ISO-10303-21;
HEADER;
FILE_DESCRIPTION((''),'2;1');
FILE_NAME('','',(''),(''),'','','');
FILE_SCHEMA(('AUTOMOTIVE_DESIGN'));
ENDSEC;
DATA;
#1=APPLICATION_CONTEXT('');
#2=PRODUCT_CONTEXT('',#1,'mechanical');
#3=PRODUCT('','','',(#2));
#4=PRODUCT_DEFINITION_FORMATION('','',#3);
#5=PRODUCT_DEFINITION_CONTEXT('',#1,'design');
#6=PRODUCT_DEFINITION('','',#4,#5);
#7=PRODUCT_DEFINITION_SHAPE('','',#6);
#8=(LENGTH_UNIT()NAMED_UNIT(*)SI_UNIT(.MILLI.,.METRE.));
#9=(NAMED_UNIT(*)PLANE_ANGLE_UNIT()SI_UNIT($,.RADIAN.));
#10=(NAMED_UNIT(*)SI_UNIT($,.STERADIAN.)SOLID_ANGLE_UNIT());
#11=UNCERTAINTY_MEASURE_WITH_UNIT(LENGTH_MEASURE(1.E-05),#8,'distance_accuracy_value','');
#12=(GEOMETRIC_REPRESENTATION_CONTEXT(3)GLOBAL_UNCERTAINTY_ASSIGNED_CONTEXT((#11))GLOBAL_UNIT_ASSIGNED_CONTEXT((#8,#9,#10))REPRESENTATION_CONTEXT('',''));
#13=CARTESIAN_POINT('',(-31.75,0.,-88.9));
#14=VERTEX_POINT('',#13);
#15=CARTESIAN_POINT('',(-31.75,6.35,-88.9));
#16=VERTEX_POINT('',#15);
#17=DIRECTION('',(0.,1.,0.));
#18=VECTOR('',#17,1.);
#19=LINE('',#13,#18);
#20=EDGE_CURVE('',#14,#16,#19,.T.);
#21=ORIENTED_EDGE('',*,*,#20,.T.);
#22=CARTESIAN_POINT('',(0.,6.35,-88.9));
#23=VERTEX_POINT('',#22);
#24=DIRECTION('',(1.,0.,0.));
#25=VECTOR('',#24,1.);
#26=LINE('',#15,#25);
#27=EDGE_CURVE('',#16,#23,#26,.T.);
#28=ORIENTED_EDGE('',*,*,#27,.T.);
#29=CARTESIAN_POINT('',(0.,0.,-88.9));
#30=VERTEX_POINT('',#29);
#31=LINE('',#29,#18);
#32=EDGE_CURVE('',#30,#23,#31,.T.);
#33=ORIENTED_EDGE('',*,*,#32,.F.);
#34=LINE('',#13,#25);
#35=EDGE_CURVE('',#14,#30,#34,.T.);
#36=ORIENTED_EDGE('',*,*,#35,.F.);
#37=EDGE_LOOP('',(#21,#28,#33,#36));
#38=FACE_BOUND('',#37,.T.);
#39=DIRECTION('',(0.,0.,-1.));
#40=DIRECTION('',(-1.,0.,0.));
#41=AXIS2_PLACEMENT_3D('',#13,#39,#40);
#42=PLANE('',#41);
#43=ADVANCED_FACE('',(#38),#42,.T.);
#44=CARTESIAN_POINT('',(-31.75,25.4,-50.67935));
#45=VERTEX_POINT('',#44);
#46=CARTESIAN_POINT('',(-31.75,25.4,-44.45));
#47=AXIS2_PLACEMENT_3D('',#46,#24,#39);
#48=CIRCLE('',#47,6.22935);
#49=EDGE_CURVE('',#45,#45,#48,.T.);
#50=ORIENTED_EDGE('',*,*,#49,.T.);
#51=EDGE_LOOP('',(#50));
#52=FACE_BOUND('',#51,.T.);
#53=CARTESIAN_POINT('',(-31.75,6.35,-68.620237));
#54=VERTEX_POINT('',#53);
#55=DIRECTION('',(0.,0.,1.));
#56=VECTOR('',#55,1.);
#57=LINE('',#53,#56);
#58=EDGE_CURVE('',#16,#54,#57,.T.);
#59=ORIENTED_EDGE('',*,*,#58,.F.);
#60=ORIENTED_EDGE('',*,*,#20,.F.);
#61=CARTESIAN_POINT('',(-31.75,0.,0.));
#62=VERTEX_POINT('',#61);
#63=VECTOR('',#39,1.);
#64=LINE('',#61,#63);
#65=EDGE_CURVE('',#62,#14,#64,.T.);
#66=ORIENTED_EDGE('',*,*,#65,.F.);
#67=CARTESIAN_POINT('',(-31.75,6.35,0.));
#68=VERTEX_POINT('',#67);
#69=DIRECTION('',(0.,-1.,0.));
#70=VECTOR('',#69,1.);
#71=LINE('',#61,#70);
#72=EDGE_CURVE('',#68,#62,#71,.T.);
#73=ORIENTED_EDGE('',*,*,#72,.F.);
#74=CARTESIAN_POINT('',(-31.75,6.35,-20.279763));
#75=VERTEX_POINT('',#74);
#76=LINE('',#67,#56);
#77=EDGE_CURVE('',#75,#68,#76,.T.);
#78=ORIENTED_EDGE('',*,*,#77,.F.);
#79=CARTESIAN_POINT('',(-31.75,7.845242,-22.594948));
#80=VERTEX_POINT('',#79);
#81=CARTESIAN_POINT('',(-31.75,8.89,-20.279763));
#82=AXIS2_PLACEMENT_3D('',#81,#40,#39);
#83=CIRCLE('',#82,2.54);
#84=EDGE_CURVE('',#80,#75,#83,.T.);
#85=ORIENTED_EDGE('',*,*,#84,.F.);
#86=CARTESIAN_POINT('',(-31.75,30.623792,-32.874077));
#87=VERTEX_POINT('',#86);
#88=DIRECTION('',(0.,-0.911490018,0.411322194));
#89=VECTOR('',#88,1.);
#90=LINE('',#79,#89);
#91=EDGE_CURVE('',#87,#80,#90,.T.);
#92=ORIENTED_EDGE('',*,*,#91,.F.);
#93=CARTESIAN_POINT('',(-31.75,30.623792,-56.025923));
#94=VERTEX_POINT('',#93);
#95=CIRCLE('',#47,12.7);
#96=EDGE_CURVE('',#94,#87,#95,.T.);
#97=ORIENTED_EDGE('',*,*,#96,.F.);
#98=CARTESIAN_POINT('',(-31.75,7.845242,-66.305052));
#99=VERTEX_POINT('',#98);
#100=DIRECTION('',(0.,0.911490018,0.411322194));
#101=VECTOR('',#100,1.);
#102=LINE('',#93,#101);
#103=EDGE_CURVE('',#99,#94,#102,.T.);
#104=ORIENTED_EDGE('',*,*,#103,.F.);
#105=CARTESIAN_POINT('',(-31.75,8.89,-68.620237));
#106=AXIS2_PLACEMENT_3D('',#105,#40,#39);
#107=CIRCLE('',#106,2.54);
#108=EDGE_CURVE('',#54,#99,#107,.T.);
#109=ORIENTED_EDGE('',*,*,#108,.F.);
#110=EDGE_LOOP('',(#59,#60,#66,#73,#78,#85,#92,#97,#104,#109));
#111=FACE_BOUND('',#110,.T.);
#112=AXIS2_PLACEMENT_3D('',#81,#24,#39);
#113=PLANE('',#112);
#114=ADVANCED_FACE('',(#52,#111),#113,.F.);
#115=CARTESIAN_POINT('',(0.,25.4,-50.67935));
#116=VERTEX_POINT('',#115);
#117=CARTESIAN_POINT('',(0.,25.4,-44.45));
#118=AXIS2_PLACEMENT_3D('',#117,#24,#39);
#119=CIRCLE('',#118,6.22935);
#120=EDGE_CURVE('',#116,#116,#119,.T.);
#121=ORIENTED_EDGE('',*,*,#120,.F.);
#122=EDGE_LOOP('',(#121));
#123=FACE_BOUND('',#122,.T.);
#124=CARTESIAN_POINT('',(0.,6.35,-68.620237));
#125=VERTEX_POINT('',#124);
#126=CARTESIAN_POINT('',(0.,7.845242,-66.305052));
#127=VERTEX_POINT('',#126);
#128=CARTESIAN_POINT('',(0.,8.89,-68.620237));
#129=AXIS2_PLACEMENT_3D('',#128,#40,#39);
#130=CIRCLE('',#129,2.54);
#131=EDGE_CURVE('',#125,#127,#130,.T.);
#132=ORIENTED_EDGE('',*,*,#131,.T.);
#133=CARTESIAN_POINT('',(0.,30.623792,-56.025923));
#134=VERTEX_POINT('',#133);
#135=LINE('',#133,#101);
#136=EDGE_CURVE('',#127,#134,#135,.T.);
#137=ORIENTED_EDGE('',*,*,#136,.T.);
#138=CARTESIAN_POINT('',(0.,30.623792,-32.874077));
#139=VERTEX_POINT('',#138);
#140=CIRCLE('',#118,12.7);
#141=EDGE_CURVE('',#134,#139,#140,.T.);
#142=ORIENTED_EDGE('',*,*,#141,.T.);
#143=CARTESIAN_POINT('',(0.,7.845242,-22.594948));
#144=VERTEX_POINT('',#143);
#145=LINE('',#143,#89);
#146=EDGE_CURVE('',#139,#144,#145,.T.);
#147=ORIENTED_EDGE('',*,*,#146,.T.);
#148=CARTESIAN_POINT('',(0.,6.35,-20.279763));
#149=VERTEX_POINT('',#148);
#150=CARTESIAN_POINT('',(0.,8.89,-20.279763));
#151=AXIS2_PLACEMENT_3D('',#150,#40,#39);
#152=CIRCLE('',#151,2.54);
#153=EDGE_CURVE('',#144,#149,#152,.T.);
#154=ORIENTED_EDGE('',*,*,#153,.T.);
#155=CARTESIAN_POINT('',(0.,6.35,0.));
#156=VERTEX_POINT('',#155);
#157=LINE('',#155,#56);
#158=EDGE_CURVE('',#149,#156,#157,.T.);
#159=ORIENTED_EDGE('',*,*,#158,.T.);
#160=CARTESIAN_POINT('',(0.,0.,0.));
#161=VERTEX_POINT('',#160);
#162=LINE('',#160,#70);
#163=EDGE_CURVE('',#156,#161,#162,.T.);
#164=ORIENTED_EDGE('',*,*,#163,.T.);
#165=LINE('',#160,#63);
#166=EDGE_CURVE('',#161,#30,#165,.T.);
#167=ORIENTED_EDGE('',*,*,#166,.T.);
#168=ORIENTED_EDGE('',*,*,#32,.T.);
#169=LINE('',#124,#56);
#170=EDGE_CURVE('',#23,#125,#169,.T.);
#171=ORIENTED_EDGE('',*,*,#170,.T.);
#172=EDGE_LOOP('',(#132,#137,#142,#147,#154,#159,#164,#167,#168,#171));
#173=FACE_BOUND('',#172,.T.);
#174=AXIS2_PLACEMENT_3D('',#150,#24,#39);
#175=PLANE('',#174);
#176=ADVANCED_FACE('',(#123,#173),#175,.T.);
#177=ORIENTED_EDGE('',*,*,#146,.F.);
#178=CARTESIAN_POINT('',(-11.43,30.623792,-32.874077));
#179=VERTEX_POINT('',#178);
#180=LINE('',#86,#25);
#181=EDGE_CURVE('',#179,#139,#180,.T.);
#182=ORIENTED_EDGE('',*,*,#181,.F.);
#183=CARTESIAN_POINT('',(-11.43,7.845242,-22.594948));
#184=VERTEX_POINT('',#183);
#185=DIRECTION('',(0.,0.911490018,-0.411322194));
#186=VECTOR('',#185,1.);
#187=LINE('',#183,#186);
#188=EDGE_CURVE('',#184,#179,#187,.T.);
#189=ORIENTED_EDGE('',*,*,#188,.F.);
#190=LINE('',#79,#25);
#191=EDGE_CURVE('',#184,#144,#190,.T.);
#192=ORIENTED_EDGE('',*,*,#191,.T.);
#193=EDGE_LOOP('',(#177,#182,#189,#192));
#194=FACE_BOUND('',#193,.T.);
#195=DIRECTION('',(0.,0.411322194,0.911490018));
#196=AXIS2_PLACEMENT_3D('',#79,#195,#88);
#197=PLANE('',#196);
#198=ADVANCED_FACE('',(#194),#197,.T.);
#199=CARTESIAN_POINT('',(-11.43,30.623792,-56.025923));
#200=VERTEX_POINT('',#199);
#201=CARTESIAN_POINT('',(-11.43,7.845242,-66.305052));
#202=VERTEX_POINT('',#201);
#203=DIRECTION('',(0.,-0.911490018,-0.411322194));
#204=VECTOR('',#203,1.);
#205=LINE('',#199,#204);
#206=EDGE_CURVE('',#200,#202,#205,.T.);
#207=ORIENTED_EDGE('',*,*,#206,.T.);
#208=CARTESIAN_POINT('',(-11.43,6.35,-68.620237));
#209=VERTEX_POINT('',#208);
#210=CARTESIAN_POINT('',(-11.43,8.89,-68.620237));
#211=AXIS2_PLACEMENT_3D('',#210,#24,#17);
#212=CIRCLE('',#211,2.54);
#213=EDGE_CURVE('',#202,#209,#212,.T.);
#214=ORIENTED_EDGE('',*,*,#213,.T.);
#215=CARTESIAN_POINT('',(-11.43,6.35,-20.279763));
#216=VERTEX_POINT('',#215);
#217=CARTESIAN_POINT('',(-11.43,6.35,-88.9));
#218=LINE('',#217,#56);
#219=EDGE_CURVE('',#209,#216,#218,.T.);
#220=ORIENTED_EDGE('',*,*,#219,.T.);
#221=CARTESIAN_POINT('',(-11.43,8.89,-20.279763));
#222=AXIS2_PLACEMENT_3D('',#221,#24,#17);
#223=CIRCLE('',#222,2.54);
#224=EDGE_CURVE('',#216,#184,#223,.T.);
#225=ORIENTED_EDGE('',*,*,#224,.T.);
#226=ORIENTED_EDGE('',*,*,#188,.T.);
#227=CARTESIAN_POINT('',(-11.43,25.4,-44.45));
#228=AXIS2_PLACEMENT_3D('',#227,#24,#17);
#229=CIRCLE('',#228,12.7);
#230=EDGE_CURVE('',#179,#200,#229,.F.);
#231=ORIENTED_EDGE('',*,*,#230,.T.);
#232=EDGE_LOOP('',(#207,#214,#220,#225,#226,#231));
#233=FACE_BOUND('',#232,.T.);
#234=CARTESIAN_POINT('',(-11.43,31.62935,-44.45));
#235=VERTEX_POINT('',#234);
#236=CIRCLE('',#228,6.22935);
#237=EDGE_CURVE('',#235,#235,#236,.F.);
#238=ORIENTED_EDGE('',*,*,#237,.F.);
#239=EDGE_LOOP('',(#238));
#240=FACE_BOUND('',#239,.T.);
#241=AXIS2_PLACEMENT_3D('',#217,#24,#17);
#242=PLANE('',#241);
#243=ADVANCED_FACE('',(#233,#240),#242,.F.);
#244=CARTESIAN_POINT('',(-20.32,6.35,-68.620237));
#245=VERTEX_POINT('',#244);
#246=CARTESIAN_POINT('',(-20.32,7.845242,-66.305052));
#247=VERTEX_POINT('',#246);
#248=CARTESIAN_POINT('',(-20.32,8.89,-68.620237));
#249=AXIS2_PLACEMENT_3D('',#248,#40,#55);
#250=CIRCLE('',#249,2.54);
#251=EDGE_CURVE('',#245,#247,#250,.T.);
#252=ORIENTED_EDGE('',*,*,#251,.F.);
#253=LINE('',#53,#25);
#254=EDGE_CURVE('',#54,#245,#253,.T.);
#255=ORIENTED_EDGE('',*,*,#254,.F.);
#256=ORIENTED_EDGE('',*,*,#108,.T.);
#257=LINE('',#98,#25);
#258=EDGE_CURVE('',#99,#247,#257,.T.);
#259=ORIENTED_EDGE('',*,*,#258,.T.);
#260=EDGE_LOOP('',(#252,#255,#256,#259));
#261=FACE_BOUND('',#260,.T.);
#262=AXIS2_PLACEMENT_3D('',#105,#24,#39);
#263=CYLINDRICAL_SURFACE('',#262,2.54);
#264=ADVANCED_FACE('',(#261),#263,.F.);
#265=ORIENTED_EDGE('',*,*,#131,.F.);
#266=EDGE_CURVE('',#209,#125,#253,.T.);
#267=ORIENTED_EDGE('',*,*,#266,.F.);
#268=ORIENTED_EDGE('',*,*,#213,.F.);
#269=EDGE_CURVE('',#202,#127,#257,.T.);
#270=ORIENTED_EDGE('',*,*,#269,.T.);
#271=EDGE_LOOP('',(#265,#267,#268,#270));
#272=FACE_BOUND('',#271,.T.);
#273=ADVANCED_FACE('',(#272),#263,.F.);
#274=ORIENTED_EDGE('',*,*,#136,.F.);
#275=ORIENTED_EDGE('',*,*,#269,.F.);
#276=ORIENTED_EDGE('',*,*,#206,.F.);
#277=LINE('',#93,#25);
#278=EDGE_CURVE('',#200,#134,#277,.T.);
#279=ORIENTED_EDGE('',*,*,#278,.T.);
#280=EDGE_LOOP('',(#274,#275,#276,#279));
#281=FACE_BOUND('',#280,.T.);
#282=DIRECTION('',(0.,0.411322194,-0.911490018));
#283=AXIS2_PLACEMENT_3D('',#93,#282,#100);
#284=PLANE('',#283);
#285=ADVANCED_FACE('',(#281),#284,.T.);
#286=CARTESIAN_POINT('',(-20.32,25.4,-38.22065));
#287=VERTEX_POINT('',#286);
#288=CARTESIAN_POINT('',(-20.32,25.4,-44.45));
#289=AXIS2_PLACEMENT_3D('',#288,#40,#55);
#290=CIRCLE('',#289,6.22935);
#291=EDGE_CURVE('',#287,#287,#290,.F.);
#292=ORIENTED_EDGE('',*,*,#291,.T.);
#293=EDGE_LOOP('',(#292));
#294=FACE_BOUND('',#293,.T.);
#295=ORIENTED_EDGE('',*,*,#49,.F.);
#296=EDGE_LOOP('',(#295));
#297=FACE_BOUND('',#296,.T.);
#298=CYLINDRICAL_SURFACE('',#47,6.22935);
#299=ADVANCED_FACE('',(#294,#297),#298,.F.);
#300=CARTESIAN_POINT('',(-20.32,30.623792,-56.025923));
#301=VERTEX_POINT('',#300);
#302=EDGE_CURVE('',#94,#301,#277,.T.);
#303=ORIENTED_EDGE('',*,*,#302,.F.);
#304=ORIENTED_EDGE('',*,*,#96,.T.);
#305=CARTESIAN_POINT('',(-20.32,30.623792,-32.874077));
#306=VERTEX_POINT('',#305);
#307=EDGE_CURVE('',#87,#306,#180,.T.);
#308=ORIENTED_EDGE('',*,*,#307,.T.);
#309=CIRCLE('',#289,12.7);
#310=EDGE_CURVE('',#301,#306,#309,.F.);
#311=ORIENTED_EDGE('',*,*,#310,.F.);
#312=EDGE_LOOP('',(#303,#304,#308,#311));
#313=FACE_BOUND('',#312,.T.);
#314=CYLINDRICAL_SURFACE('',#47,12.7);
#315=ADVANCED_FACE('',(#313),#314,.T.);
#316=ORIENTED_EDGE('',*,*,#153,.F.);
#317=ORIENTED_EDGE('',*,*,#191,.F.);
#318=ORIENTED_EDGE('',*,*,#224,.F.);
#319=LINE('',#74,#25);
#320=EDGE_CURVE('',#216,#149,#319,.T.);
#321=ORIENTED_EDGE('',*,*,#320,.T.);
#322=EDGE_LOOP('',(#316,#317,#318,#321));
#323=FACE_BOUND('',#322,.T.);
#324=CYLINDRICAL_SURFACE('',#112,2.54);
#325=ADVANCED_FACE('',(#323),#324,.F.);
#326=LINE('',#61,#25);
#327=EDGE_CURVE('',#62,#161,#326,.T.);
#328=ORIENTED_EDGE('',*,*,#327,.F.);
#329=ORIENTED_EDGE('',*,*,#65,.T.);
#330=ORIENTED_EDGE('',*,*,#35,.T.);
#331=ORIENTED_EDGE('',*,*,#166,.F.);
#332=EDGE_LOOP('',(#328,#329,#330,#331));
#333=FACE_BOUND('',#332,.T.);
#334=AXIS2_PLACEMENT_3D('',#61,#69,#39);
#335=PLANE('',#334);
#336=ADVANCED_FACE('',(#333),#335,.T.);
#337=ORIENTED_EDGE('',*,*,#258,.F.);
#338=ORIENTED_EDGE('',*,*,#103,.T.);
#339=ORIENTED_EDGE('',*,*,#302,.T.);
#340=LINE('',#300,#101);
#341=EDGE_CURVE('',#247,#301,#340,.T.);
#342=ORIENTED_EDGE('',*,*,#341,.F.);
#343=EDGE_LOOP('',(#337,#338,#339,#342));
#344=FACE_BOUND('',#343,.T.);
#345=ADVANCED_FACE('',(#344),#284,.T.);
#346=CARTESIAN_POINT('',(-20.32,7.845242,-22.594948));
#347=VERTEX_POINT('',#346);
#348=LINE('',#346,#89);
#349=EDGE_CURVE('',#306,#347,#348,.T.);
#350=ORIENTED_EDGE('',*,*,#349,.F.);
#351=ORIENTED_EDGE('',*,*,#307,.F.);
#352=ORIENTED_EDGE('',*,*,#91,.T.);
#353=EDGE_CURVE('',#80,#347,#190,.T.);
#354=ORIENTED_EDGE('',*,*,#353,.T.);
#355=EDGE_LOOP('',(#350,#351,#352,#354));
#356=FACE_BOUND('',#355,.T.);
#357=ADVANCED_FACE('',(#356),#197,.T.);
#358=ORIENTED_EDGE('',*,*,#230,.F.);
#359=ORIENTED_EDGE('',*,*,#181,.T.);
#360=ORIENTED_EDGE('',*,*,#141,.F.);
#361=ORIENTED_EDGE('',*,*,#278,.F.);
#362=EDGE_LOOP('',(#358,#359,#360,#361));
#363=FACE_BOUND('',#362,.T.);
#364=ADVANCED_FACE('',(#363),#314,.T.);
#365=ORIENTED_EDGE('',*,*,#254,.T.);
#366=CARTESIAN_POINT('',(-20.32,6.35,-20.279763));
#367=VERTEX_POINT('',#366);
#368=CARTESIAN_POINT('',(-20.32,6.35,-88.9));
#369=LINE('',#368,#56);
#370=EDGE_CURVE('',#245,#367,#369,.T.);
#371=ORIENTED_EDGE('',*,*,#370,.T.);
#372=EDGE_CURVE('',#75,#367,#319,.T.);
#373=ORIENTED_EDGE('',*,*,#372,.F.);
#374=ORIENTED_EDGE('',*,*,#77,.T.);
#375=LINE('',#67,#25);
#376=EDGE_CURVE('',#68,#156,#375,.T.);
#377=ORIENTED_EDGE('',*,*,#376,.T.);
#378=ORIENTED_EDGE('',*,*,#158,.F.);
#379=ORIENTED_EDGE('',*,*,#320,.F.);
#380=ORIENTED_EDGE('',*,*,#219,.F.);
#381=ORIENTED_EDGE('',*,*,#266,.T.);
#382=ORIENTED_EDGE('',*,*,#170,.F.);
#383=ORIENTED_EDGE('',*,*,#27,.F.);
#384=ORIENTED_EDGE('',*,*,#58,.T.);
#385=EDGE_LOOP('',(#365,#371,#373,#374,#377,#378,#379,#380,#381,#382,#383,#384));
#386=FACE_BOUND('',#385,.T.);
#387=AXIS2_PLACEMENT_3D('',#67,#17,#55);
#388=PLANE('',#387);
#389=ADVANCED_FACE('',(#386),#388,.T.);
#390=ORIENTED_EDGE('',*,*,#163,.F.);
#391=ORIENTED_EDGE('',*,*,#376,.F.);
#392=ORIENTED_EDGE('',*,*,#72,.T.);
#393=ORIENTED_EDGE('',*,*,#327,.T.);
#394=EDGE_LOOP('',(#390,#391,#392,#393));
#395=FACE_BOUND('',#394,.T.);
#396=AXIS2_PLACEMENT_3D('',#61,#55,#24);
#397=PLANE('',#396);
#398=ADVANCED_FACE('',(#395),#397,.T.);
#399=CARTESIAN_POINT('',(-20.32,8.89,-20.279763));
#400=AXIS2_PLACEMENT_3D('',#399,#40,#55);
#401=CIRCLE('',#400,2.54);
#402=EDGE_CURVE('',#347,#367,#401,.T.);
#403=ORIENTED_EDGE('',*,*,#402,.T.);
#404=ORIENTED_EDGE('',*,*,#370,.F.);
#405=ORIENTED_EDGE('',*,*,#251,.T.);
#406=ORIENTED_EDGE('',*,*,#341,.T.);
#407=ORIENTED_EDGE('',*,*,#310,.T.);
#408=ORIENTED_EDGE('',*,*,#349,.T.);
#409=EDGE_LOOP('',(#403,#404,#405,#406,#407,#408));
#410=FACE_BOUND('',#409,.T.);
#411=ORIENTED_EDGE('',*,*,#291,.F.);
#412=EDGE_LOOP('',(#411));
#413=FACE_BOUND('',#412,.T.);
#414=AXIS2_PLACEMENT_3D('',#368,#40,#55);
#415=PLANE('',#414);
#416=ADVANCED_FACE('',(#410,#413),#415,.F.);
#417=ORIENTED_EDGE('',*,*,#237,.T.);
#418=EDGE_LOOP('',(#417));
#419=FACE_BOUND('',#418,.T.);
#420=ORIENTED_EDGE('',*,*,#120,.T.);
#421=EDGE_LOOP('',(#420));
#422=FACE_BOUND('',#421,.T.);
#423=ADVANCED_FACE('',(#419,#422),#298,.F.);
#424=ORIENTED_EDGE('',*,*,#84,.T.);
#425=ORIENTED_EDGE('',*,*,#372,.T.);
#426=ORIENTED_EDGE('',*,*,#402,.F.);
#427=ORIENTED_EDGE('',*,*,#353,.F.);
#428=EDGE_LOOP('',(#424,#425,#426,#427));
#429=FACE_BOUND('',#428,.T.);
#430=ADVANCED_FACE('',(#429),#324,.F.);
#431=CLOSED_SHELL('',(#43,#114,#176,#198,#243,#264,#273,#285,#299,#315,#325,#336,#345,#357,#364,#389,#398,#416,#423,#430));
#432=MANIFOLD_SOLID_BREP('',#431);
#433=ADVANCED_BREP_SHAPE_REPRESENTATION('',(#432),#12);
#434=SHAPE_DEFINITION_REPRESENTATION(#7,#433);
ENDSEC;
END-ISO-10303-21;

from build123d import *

# Parameters (mm, degrees)
SKETCH1_R           = 6.22935
BOSS_EXTRUDE1_DEPTH = 31.75
SKETCH2_W           = 8.89
SKETCH2_H           = 31.75
CUT_EXTRUDE1_DEPTH  = 89.9


with BuildPart() as part:
    # Sketch1 → Boss-Extrude1 (new body)
    with BuildSketch(Plane(origin=(0, 0, 0), x_dir=(0, 0, -1), z_dir=(1, 0, 0))):
        with BuildLine():
            Line((22.594948, 7.845241626), (32.874076775, 30.623791868))
            ThreePointArc((32.874076775, 30.623791868), (44.45, 38.1), (56.025923225, 30.623791868))
            Line((56.025923225, 30.623791868), (66.305052, 7.845241626))
            ThreePointArc((66.305052, 7.845241626), (67.242210206, 6.756307629), (68.620236645, 6.35))
            Line((68.620236645, 6.35), (88.9, 6.35))
            Line((88.9, 6.35), (88.9, 0))
            Line((88.9, 0), (0, 0))
            Line((0, 0), (0, 6.35))
            Line((0, 6.35), (20.279763355, 6.35))
            ThreePointArc((20.279763355, 6.35), (21.657789794, 6.756307629), (22.594948, 7.845241626))
        make_face()
        with Locations((44.45, 25.4)):
            Circle(SKETCH1_R, mode=Mode.SUBTRACT)
    extrude(amount=-BOSS_EXTRUDE1_DEPTH)

    # Sketch2 → Cut-Extrude1 (cut, through all)
    with BuildSketch(Plane.XY):
        with Locations((-15.875, 22.225)):
            Rectangle(SKETCH2_W, SKETCH2_H)
    extrude(amount=-CUT_EXTRUDE1_DEPTH, mode=Mode.SUBTRACT)


solid = part.part
